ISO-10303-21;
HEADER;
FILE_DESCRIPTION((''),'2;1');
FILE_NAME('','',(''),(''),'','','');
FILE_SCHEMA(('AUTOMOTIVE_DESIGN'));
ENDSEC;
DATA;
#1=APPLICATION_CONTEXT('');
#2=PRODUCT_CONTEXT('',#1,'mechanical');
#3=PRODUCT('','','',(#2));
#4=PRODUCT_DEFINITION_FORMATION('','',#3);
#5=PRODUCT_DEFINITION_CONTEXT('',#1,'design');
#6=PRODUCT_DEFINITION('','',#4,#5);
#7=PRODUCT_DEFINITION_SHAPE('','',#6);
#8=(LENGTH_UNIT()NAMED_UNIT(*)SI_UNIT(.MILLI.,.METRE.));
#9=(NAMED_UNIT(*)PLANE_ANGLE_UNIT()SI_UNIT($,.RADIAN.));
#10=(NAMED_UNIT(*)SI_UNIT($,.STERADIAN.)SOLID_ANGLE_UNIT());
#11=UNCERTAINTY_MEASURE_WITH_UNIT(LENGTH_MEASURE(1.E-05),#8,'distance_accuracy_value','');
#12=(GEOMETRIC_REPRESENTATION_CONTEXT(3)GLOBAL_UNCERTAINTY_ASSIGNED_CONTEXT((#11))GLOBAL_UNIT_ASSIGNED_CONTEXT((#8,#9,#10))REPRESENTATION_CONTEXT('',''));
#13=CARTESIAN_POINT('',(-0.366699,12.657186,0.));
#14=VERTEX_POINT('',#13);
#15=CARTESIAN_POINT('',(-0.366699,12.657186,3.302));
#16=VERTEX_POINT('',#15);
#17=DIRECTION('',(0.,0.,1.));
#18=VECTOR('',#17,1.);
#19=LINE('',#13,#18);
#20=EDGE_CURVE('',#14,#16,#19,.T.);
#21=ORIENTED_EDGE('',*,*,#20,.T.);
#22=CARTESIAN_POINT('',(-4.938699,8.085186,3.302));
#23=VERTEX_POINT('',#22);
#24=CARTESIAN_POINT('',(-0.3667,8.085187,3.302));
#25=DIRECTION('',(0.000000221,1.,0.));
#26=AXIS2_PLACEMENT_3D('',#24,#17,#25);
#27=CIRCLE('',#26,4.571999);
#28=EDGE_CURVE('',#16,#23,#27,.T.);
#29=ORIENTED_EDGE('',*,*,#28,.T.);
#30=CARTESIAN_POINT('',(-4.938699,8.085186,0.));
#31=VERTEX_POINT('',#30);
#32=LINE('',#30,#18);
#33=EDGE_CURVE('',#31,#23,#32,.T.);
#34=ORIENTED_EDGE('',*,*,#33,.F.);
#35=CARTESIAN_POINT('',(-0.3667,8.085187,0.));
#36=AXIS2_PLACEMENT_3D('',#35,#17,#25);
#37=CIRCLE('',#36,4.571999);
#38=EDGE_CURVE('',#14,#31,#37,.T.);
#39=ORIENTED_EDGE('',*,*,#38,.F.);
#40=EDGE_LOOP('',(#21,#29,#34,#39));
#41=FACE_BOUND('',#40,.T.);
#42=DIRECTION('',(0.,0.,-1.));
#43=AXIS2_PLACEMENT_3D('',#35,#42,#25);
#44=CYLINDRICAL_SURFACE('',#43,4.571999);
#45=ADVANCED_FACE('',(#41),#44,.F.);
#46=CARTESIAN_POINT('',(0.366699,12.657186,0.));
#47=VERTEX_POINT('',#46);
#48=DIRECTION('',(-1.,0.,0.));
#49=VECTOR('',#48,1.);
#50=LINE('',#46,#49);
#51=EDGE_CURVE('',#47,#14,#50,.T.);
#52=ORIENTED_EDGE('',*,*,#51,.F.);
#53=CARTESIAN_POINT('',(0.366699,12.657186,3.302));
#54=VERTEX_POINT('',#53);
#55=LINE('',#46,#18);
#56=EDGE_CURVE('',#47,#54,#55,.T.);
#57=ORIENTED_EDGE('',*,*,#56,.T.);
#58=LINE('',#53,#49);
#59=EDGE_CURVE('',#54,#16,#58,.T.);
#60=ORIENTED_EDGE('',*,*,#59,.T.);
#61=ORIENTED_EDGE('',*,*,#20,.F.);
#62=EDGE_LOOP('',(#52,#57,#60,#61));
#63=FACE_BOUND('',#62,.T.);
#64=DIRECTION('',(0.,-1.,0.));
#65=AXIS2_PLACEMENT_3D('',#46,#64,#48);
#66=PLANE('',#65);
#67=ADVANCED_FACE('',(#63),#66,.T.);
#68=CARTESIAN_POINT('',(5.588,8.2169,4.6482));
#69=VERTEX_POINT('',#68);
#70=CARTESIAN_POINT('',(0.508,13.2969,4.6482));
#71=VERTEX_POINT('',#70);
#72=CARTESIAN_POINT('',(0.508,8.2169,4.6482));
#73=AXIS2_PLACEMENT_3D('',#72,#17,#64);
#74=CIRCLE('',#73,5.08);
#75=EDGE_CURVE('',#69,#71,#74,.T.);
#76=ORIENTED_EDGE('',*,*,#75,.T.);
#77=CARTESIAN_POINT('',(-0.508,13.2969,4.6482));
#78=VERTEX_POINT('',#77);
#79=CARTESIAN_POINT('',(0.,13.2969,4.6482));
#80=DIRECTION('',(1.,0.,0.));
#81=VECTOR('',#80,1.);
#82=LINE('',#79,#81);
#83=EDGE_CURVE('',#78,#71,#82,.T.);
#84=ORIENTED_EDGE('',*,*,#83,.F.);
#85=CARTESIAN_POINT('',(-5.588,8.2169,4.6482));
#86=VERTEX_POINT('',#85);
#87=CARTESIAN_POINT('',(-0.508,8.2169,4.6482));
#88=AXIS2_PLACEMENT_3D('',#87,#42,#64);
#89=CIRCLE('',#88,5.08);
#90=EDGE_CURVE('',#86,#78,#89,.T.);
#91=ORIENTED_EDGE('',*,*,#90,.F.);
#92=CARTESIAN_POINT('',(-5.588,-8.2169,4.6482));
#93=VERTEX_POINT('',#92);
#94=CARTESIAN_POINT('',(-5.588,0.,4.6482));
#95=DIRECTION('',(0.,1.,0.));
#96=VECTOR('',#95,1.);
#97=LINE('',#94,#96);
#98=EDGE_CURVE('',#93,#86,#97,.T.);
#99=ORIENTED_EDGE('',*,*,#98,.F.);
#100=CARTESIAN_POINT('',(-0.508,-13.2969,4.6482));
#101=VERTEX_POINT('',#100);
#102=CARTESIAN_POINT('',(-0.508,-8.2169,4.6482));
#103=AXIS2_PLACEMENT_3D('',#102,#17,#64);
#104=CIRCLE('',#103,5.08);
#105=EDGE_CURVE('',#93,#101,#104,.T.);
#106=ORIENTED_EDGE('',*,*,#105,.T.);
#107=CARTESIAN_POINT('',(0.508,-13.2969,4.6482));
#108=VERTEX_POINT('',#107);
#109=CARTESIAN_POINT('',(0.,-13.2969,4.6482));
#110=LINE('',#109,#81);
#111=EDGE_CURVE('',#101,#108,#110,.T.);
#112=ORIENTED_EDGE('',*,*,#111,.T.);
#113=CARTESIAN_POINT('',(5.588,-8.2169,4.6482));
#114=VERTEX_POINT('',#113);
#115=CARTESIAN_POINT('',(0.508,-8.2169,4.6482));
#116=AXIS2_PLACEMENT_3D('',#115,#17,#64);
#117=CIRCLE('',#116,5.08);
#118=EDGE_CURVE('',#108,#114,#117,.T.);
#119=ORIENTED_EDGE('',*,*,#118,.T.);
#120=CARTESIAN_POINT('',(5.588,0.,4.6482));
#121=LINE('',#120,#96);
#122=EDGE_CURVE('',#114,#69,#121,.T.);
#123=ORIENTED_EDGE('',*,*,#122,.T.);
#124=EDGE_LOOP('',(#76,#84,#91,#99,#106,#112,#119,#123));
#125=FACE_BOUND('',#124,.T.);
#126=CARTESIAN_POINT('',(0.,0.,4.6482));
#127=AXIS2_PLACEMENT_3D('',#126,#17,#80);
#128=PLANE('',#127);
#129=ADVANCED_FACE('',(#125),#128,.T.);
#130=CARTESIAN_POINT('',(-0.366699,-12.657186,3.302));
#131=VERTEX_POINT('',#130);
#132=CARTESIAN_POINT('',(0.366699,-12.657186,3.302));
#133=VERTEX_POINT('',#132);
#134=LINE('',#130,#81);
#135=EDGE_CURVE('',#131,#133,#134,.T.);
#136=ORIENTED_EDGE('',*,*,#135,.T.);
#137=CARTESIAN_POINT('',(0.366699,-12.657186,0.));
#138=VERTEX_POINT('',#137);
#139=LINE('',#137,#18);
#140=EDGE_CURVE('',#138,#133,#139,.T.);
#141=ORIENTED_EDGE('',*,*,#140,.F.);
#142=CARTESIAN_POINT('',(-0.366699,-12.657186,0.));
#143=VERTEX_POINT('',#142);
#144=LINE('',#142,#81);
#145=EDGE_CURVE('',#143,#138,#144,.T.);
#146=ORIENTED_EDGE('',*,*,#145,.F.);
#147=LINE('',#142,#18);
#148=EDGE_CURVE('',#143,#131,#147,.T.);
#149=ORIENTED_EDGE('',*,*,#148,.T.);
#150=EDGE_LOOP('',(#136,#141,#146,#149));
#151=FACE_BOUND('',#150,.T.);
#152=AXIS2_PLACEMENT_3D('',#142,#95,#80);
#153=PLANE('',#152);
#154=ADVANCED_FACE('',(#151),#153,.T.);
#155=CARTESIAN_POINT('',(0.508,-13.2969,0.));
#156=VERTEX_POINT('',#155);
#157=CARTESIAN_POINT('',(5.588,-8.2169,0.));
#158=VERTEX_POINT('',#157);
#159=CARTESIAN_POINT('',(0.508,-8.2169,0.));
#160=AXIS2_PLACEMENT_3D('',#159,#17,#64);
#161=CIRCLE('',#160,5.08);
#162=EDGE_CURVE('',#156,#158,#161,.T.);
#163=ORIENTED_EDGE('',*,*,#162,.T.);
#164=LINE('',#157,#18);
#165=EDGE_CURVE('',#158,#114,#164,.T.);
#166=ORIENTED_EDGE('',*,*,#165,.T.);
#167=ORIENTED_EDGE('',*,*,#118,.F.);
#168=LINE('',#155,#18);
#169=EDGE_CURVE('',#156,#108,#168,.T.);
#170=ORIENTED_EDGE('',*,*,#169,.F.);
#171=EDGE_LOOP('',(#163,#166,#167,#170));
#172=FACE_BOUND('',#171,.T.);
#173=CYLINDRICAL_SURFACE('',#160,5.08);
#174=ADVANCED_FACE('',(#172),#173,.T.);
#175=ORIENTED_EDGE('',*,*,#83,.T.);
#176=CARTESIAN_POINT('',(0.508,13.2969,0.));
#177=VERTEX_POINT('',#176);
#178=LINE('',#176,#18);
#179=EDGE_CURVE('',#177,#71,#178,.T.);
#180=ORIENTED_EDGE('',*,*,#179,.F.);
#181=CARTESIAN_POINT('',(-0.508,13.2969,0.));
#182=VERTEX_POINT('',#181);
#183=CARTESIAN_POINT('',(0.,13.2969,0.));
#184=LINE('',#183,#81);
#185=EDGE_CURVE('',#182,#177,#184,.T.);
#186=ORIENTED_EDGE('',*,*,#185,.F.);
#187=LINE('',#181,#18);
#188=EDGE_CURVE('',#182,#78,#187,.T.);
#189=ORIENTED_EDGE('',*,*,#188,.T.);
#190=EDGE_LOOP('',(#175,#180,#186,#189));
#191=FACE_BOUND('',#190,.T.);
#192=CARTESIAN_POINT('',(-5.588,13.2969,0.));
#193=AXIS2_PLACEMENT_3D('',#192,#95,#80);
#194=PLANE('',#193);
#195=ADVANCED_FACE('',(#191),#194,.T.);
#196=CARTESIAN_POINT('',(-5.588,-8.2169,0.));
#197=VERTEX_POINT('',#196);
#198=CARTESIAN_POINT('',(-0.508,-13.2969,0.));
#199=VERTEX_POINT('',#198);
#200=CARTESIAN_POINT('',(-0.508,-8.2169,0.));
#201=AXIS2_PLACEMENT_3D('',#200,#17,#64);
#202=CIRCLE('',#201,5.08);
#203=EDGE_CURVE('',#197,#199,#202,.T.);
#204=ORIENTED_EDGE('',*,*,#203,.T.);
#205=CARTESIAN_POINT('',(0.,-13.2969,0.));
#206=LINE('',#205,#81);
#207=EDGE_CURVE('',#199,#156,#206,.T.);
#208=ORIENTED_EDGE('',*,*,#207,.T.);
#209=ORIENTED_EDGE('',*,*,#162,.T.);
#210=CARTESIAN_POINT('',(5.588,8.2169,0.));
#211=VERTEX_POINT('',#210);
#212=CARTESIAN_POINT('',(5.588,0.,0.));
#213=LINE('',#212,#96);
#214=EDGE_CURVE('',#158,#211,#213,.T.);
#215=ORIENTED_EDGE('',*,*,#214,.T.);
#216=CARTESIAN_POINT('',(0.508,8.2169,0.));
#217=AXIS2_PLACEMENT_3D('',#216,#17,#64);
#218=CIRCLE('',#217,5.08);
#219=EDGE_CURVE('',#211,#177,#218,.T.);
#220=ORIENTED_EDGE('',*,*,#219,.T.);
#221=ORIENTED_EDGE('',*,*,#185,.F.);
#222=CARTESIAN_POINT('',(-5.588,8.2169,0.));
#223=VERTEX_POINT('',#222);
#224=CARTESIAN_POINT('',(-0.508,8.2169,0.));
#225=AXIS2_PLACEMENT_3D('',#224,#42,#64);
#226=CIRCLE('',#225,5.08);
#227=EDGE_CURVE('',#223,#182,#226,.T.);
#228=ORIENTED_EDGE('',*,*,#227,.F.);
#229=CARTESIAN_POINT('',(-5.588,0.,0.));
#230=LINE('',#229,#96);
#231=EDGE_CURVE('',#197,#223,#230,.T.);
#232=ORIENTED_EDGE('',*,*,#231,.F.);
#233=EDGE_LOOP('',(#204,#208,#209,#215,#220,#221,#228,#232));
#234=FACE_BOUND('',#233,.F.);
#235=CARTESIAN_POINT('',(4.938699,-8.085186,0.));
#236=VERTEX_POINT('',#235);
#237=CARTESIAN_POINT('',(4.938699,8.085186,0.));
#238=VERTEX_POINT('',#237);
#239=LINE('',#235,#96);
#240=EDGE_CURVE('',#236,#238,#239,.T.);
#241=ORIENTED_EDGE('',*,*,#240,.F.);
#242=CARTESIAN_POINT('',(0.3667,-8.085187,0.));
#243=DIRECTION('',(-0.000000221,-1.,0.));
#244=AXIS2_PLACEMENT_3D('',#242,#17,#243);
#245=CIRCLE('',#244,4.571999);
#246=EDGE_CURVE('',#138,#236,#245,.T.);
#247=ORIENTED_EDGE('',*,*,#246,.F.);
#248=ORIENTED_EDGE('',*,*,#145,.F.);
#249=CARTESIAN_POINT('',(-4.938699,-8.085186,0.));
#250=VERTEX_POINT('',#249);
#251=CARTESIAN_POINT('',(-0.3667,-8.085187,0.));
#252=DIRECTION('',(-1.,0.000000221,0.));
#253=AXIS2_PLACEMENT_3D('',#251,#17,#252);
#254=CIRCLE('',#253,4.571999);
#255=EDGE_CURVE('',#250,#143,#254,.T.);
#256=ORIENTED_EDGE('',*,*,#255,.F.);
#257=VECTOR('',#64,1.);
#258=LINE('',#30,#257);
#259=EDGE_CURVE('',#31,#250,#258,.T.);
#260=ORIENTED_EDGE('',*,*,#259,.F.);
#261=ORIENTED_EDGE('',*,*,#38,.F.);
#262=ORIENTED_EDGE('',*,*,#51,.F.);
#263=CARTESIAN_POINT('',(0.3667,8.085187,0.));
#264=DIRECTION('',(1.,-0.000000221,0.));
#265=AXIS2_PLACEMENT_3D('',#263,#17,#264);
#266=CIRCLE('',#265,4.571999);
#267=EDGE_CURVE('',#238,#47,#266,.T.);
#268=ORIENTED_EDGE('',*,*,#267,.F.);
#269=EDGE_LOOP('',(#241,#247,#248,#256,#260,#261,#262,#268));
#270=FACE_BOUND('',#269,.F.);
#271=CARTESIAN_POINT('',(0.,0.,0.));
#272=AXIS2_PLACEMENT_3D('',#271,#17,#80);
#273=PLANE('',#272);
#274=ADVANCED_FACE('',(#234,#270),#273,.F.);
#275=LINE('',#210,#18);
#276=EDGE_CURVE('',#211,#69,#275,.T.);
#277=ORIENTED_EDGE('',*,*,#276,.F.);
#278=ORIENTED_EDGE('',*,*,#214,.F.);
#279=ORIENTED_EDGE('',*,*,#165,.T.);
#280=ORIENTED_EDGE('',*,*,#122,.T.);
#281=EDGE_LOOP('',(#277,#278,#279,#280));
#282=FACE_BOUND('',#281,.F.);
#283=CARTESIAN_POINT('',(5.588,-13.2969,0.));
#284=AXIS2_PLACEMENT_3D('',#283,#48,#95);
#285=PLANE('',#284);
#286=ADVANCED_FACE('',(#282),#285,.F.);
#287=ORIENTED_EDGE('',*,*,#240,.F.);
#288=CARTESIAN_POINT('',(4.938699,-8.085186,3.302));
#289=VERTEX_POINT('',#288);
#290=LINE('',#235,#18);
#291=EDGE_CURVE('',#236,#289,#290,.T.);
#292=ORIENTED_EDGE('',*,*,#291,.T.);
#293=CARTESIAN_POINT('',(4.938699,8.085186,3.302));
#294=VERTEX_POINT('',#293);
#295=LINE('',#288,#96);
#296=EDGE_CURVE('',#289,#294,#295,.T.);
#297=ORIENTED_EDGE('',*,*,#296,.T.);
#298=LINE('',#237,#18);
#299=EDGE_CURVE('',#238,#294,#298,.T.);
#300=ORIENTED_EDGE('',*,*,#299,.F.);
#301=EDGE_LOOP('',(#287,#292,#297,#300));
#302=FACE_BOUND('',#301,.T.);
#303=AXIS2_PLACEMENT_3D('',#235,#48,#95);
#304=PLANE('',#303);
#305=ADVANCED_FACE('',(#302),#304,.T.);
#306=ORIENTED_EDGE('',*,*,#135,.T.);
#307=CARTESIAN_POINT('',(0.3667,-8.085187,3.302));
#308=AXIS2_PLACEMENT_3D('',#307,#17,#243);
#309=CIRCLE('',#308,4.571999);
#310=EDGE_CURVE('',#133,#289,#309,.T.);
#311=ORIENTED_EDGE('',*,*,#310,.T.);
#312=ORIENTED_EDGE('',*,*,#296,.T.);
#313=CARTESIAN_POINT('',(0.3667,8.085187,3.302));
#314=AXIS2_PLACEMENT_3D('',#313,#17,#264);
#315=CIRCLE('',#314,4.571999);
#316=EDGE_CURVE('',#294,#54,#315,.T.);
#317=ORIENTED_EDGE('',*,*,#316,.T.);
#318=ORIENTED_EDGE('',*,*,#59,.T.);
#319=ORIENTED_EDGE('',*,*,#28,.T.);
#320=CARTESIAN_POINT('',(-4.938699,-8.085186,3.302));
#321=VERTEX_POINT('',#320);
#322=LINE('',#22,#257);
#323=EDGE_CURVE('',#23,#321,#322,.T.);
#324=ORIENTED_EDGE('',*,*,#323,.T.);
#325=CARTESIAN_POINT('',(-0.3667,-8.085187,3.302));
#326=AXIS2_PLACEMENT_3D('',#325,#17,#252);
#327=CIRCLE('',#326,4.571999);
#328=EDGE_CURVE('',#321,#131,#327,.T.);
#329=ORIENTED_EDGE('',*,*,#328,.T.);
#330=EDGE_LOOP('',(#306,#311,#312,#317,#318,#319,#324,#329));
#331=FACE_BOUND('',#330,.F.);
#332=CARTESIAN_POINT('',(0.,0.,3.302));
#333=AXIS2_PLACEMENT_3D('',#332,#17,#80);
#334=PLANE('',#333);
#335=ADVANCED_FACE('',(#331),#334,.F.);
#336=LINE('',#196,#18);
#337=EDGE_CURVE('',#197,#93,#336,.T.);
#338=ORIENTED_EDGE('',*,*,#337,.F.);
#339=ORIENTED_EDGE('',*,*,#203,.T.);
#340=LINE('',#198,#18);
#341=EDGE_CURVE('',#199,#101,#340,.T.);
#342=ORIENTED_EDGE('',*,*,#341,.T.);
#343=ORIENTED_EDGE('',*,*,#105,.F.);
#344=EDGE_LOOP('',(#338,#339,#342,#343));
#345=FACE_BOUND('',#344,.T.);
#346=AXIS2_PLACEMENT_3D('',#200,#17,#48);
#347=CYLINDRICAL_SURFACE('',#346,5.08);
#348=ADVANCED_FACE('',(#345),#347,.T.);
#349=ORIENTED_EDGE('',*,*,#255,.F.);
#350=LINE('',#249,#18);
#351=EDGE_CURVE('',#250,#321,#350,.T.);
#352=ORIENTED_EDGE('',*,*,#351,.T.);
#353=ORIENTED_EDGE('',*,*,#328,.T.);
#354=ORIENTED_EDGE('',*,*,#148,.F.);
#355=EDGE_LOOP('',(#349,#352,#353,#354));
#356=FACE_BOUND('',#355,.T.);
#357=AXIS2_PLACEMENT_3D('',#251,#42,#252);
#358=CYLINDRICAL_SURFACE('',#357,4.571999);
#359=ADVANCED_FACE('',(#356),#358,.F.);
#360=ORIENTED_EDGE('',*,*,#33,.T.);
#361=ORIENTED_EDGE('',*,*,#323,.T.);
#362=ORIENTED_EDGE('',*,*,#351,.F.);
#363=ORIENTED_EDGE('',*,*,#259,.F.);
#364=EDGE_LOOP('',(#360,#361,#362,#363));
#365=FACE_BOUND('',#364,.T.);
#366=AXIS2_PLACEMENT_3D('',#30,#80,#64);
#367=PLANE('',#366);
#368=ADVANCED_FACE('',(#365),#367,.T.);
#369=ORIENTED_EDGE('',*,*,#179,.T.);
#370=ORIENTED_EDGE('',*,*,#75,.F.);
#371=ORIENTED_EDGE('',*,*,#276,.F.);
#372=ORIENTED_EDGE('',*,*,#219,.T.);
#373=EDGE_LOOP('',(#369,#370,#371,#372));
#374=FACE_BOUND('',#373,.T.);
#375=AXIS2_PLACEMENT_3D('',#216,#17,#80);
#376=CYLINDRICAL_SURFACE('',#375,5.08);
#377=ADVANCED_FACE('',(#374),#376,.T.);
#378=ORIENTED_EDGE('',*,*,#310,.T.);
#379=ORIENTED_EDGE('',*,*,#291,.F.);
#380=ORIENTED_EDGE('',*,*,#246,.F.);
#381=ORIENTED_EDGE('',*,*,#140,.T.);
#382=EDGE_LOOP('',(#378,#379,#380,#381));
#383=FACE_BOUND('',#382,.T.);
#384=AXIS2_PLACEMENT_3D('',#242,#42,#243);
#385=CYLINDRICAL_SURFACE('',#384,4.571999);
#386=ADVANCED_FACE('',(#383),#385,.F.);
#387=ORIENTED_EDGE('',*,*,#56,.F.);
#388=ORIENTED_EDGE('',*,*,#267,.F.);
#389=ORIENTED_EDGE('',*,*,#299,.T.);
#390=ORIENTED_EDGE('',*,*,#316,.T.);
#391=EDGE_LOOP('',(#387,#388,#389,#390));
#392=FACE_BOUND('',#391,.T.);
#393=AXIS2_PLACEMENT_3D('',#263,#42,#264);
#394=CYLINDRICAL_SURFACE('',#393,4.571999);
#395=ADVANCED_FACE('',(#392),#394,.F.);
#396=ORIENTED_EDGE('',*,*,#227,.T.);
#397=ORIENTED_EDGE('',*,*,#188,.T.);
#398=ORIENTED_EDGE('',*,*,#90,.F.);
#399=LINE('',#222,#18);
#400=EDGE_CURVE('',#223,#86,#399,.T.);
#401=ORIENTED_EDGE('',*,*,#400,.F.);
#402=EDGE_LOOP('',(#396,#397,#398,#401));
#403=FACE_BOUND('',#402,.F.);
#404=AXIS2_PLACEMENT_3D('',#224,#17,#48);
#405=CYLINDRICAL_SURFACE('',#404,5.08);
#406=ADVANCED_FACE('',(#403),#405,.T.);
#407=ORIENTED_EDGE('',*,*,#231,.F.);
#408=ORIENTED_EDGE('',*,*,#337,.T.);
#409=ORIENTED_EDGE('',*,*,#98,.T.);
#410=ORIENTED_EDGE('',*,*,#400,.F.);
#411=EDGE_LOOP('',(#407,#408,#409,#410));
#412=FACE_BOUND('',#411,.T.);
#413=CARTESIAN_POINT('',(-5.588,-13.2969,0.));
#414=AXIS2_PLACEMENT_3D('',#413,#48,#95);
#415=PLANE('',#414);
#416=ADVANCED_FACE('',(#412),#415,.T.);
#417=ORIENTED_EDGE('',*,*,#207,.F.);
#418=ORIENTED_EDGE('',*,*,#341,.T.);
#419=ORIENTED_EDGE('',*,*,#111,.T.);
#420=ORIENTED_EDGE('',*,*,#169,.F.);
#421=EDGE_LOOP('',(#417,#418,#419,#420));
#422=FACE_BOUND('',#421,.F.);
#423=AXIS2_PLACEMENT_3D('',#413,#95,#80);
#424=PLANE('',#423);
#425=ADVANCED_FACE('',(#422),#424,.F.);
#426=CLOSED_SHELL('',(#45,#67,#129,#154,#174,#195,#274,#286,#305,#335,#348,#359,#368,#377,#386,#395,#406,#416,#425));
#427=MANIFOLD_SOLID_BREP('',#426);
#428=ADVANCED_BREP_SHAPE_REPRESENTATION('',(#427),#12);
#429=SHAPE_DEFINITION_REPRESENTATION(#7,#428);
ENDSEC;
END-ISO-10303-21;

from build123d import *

# Parameters (mm, degrees)
F0_W     = 11.176
F0_H     = 26.5938
F1_DEPTH = 4.6482
F2_R     = 5.08
F4_DEPTH = 3.302


with BuildPart() as f1:
    # F0 (on Top) → F1 (new body)
    with BuildSketch(Plane.XY):
        Rectangle(F0_W, F0_H)
    extrude(amount=F1_DEPTH)

    # F2
    f2_edges = [f1.edges().sort_by_distance(p)[0] for p in [
        (-5.588, 13.2969, 2.3241),
        (5.588, 13.2969, 2.3241),
        (-5.588, -13.2969, 2.3241),
        (5.588, -13.2969, 2.3241),
    ]]
    fillet(f2_edges, radius=F2_R)

    # F3 (on face) → F4 (cut)
    with BuildSketch(Plane.XY):
        with BuildLine():
            Line((-4.938699, 8.085186), (-4.938699, -8.085186))
            ThreePointArc((-4.938699, -8.085186), (-3.599592, -11.318078), (-0.366699, -12.657186))
            Line((-0.366699, -12.657186), (0.366699, -12.657186))
            ThreePointArc((0.366699, -12.657186), (3.599592, -11.318078), (4.938699, -8.085186))
            Line((4.938699, -8.085186), (4.938699, 8.085186))
            ThreePointArc((4.938699, 8.085186), (3.599592, 11.318078), (0.366699, 12.657186))
            Line((0.366699, 12.657186), (-0.366699, 12.657186))
            ThreePointArc((-0.366699, 12.657186), (-3.599592, 11.318078), (-4.938699, 8.085186))
        make_face()
    extrude(amount=F4_DEPTH, mode=Mode.SUBTRACT)


solid = f1.part
